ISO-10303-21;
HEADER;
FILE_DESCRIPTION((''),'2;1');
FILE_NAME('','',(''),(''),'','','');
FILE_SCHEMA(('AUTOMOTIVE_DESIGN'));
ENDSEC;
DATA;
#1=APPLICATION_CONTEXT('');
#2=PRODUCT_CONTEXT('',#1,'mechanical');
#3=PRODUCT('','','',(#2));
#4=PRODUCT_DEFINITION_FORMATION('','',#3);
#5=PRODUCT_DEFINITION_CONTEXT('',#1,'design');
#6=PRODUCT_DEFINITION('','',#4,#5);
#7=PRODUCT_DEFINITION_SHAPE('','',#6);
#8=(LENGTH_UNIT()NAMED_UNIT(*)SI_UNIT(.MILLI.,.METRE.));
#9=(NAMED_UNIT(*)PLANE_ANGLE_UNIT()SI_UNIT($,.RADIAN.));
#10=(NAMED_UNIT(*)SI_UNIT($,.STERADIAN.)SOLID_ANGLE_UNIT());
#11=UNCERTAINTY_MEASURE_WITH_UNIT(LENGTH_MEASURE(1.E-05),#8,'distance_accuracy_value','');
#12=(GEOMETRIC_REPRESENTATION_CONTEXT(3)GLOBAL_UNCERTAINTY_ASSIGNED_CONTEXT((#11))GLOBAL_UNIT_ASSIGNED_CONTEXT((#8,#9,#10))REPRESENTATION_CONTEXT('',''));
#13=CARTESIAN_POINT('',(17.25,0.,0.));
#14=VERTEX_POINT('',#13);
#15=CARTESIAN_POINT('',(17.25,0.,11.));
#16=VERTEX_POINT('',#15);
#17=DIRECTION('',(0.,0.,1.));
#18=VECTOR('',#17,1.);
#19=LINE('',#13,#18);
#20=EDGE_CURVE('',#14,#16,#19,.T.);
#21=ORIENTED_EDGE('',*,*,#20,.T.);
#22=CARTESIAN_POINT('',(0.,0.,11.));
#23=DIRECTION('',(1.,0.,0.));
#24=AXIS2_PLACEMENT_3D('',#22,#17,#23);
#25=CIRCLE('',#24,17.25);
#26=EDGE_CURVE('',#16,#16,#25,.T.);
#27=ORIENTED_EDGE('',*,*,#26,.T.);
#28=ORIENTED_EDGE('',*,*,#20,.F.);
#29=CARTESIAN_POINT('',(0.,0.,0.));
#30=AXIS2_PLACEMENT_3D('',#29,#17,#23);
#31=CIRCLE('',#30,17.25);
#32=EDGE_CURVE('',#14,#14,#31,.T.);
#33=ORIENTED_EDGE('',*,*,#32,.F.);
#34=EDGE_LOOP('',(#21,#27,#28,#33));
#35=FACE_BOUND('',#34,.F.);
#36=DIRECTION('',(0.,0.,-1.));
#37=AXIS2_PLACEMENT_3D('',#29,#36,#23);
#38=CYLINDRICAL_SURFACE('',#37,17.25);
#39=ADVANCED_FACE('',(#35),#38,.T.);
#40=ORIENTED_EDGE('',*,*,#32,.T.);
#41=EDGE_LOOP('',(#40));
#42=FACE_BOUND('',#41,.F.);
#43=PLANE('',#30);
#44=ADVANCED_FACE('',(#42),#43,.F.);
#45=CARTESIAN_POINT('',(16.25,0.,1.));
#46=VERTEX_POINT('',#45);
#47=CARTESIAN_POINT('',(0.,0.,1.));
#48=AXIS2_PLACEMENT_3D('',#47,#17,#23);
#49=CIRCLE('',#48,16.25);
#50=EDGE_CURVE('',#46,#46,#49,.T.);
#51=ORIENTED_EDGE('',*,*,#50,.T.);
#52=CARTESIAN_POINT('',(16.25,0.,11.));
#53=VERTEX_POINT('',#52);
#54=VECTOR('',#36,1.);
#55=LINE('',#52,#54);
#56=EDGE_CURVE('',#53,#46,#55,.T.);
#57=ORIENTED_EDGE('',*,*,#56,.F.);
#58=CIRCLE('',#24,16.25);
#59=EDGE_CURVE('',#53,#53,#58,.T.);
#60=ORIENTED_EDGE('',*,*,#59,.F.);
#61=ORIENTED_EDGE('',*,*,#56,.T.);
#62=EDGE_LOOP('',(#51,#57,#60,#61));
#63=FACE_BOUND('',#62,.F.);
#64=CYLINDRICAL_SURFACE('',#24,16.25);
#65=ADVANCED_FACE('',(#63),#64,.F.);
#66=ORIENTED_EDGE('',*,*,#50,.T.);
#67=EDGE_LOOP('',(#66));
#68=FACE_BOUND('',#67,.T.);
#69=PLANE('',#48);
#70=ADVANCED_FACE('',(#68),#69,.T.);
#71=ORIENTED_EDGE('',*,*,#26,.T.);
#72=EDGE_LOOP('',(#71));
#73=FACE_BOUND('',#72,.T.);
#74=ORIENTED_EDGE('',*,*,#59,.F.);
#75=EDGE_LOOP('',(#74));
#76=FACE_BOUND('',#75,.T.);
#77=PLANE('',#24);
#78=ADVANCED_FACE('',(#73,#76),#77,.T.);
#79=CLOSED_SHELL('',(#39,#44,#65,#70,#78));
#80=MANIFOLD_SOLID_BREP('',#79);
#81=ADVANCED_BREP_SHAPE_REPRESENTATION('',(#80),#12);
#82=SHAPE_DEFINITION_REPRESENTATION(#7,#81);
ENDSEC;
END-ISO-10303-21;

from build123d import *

# Parameters (mm, degrees)
F0_R     = 17.25
F1_DEPTH = 11
F2_R     = 16.25
F3_DEPTH = 10


with BuildPart() as f1:
    # F0 (on Top) → F1 (new body)
    with BuildSketch(Plane.XY):
        Circle(F0_R)
    extrude(amount=F1_DEPTH)

    # F2 (on face) + F0 (on Top) → F3 (cut)
    with BuildSketch(Plane.XY.offset(11)):
        Circle(F2_R)
    with BuildSketch(Plane.XY):
        Circle(F0_R)
    extrude(amount=-F3_DEPTH, mode=Mode.SUBTRACT)


solid = f1.part
